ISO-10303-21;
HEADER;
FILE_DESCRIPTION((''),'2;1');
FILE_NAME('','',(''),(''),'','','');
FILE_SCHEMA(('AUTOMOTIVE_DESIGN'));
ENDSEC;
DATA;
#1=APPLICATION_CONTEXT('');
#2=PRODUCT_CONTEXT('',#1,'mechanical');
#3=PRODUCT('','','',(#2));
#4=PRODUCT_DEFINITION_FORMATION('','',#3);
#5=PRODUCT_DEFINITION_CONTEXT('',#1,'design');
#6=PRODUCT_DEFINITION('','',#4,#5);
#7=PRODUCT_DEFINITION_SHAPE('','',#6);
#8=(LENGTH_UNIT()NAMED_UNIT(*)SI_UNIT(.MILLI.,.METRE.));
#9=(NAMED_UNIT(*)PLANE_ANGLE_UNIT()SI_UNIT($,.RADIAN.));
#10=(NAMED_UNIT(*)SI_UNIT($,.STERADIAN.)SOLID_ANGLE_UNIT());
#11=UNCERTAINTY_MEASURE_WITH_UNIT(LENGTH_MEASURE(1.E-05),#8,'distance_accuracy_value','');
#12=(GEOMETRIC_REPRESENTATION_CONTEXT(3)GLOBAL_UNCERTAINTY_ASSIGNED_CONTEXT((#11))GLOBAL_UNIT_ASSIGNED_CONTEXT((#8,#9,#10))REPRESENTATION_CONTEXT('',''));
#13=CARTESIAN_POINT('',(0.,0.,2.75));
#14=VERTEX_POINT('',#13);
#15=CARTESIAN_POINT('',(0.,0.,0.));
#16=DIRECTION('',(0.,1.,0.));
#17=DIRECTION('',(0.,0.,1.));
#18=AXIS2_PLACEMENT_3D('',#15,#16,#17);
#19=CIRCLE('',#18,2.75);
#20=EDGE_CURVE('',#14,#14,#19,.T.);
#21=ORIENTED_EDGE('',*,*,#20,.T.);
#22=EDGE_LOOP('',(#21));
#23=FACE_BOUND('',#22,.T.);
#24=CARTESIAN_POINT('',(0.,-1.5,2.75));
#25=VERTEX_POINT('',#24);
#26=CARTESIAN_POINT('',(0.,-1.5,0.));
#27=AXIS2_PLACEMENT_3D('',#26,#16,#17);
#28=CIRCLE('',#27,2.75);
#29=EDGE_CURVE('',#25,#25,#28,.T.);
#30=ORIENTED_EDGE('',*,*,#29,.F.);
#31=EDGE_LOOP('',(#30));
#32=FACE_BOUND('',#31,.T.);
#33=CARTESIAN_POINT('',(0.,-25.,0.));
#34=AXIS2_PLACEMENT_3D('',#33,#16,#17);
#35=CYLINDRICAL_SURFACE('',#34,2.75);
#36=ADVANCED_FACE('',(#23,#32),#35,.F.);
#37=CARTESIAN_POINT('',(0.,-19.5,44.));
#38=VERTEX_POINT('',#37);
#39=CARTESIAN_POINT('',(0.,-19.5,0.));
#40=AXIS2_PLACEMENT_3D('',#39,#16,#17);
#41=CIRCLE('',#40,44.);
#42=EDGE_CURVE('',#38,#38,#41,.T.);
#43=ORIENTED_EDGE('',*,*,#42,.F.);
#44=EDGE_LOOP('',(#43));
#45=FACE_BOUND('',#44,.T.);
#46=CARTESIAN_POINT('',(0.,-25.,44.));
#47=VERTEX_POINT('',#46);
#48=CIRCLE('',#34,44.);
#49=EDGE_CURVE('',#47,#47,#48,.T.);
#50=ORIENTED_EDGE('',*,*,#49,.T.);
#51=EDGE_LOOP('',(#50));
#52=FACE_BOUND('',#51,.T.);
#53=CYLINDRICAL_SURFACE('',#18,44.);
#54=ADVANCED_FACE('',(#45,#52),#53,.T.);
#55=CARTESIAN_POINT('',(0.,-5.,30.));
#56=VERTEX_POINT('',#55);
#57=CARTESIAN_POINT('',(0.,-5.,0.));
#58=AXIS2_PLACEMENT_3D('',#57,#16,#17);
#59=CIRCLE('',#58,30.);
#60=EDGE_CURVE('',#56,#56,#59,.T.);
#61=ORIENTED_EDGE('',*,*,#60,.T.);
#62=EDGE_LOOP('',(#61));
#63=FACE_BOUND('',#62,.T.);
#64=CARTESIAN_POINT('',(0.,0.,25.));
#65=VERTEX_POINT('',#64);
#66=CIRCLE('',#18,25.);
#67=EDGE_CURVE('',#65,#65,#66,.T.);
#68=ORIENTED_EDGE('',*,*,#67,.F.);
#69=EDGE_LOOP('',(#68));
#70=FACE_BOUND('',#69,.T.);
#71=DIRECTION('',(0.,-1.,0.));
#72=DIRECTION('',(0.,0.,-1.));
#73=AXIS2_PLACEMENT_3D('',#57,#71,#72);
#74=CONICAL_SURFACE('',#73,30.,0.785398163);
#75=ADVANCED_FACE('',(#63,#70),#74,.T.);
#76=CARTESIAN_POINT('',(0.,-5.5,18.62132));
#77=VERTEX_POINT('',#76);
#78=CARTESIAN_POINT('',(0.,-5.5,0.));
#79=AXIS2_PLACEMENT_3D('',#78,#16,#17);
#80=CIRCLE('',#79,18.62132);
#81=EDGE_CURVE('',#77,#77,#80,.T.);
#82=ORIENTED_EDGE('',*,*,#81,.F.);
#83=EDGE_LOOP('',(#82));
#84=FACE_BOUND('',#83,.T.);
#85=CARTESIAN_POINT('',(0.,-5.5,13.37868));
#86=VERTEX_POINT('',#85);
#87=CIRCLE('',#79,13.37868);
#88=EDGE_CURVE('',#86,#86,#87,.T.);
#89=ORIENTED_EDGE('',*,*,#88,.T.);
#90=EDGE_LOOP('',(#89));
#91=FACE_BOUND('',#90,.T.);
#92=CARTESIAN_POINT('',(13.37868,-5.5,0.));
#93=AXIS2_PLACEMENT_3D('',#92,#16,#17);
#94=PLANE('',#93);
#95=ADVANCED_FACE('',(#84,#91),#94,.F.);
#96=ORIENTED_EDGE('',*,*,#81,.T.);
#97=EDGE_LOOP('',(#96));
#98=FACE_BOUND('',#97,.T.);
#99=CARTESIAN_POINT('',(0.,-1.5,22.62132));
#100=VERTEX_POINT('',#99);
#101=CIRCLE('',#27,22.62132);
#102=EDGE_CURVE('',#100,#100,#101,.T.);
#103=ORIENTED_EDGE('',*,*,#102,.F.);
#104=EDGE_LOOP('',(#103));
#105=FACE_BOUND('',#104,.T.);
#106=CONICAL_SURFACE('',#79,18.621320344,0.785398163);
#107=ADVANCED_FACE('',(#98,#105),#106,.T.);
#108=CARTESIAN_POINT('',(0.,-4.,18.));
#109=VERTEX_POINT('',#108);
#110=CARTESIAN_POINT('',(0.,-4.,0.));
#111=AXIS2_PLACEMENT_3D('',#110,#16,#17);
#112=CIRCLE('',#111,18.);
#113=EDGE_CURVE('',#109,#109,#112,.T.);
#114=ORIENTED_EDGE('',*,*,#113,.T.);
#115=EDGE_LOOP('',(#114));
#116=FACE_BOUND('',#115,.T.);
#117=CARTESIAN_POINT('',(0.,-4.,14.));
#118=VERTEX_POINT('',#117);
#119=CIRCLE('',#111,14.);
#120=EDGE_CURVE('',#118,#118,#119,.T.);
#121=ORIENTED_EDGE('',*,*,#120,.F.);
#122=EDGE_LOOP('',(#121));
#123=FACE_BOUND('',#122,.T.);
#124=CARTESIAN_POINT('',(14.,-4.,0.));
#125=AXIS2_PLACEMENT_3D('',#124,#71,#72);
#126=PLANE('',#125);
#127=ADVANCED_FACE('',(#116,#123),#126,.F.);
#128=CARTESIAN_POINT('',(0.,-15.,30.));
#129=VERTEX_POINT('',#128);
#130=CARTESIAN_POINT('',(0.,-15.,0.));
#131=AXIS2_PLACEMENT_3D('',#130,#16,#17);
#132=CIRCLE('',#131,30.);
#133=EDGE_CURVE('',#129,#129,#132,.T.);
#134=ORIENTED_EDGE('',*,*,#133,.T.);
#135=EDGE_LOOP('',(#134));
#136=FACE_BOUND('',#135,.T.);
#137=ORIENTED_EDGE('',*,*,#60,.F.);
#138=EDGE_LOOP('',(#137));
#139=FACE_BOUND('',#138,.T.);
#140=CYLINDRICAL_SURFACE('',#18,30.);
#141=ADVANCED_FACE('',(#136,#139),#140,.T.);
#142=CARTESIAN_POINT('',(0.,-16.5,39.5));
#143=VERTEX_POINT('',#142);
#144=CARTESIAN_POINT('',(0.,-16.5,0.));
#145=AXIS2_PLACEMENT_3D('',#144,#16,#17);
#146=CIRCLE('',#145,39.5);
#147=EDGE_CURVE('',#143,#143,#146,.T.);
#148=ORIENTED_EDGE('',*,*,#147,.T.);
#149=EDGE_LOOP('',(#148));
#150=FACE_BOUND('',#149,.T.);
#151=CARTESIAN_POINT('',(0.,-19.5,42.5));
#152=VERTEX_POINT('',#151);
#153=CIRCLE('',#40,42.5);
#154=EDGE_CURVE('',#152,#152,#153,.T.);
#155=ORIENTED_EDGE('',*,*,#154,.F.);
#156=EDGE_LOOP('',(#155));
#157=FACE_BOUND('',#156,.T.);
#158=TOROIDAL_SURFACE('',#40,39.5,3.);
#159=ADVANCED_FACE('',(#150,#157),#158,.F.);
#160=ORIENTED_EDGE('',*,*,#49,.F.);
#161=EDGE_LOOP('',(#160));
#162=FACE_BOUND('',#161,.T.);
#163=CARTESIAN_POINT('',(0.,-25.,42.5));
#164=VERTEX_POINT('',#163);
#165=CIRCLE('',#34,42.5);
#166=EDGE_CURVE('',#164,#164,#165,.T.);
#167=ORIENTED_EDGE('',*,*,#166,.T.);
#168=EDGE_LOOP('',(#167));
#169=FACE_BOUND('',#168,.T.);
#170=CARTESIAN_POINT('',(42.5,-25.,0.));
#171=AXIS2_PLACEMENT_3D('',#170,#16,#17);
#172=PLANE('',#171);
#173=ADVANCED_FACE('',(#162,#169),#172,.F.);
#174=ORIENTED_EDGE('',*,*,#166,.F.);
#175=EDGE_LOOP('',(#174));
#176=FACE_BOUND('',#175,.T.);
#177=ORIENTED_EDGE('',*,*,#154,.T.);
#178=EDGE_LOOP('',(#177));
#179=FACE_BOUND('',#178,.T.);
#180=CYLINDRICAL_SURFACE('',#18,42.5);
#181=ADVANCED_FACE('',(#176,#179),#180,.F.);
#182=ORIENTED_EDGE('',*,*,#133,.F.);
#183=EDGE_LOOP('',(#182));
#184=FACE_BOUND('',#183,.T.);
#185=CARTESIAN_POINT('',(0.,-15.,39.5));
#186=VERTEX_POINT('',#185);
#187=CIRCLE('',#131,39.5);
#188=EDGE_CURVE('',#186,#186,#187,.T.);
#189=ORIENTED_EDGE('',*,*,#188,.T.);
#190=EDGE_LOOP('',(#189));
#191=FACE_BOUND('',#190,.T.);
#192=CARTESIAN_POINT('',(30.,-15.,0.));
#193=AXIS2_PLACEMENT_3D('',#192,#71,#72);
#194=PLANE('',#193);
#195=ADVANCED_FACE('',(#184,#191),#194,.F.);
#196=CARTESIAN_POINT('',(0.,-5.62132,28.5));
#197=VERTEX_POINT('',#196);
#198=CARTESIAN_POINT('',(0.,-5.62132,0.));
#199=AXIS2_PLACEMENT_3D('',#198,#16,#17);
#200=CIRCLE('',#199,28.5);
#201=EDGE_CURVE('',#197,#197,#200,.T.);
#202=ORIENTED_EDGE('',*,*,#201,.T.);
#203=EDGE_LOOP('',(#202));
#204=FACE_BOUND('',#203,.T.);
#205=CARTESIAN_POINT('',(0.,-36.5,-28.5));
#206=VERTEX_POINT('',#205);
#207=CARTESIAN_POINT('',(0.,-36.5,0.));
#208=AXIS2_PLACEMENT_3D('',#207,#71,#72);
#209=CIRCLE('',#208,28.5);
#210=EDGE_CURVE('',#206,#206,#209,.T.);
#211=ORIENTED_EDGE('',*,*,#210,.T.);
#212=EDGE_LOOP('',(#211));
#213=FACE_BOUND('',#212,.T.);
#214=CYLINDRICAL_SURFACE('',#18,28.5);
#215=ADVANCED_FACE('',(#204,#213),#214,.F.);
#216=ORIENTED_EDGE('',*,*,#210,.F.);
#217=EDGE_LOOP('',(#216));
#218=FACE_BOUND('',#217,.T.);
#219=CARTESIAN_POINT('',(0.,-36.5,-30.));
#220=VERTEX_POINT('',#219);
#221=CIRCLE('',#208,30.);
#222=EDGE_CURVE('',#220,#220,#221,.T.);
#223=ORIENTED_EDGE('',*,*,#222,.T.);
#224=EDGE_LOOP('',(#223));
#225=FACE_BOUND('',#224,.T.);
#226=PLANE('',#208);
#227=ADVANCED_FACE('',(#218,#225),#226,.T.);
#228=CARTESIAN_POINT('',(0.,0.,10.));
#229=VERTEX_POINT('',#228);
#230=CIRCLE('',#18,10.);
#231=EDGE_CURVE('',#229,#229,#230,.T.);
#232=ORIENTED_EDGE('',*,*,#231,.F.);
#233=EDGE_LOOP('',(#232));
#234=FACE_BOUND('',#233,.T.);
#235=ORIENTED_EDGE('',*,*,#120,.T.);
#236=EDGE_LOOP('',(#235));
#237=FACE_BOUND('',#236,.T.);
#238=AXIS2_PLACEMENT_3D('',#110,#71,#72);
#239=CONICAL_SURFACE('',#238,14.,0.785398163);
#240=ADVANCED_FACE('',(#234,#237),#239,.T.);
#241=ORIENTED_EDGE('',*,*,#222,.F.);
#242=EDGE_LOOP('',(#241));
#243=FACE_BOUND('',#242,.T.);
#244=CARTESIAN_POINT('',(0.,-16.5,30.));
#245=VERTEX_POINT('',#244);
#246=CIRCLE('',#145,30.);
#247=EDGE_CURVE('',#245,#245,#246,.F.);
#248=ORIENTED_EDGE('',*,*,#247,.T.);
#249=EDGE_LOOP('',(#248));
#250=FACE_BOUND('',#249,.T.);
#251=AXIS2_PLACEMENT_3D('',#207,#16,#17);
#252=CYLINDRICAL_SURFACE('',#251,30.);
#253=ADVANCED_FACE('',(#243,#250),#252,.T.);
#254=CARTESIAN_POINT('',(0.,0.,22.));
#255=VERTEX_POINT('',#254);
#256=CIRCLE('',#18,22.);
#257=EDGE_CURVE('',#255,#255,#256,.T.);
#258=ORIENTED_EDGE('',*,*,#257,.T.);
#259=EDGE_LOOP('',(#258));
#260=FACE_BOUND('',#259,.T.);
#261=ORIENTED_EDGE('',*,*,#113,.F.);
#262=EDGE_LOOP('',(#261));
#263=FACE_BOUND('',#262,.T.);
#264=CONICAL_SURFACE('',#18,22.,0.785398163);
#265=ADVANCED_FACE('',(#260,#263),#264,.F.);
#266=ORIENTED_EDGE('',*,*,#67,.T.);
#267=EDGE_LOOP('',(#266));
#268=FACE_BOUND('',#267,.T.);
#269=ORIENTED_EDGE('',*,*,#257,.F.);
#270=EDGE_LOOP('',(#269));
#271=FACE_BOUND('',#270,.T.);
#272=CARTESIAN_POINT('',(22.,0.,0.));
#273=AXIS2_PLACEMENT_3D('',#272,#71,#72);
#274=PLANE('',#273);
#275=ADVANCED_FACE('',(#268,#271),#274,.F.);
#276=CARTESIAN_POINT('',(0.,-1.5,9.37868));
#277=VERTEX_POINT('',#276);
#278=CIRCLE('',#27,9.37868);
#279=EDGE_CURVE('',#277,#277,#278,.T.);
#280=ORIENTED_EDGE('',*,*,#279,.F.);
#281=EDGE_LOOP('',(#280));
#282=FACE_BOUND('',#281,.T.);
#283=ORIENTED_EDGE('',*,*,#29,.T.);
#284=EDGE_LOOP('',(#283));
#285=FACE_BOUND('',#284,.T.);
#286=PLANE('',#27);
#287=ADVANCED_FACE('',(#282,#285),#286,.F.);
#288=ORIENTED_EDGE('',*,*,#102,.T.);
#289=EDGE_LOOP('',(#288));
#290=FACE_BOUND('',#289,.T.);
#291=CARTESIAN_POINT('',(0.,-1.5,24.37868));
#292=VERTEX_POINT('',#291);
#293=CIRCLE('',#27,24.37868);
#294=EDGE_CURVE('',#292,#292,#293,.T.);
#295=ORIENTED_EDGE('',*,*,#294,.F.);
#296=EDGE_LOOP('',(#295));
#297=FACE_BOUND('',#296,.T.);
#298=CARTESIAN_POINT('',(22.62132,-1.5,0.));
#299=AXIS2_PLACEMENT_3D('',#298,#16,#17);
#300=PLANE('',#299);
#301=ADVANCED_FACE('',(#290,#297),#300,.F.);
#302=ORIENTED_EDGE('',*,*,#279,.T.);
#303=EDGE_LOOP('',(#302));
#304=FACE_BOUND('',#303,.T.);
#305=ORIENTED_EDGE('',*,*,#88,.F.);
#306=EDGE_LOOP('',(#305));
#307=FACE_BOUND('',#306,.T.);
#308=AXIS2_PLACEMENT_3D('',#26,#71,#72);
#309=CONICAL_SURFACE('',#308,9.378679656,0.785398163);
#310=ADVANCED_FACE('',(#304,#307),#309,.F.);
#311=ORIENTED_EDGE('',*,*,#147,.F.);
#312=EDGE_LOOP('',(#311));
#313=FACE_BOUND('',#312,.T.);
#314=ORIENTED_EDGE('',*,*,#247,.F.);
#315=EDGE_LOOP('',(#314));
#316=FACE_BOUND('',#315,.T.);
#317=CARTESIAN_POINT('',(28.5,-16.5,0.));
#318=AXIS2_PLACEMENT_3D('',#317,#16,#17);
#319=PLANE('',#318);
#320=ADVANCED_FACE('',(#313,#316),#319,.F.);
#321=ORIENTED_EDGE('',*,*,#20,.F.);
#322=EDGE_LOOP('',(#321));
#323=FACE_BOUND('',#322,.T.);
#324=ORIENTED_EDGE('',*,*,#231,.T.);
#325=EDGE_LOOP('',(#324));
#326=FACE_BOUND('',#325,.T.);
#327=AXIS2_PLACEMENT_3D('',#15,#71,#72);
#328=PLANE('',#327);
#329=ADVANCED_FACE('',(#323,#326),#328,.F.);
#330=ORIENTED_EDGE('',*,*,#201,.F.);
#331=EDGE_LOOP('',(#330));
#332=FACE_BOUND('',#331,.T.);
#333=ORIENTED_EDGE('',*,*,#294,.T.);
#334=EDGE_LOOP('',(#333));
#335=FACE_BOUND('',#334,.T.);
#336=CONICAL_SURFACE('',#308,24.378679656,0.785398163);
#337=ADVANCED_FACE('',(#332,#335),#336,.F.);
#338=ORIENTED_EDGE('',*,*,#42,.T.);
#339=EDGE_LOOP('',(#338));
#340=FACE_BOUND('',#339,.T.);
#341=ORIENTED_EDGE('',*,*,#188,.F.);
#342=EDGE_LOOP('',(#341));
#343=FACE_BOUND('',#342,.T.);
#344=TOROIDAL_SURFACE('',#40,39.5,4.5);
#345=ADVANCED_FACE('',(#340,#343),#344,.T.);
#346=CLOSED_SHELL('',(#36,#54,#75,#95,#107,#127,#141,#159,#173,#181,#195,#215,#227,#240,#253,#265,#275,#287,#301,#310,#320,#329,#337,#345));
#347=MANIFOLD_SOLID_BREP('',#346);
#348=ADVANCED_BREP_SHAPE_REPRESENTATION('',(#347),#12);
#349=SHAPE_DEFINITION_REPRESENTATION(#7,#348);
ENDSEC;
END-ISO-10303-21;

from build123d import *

# Parameters (mm, degrees)
SKETCH_2_R          = 2.75
CUT_EXTRUDE_1_DEPTH = 26
SKETCH_3_R          = 30
SKETCH_3_R_2        = 28.5
EXTRUDE_1_DEPTH     = 20


with BuildPart() as part:
    # Эскиз1 → Повернуть2 (revolve)
    with BuildSketch(Plane.XY):
        with BuildLine():
            Line((0, 0), (10, 0))
            Line((10, 0), (14, -4))
            Line((14, -4), (18, -4))
            Line((18, -4), (22, 0))
            Line((22, 0), (25, 0))
            Line((25, 0), (30, -5))
            Line((30, -5), (30, -15))
            Line((30, -15), (39.5, -15))
            ThreePointArc((39.5, -15), (42.681980515, -16.318019485), (44, -19.5))
            Line((44, -19.5), (44, -25))
            Line((44, -25), (42.5, -25))
            Line((42.5, -25), (42.5, -19.5))
            ThreePointArc((42.5, -19.5), (41.621320344, -17.378679656), (39.5, -16.5))
            Line((39.5, -16.5), (28.5, -16.5))
            Line((28.5, -16.5), (28.5, -5.621320344))
            Line((28.5, -5.621320344), (24.378679656, -1.5))
            Line((24.378679656, -1.5), (22.621320344, -1.5))
            Line((22.621320344, -1.5), (18.621320344, -5.5))
            Line((18.621320344, -5.5), (13.378679656, -5.5))
            Line((13.378679656, -5.5), (9.378679656, -1.5))
            Line((9.378679656, -1.5), (0, -1.5))
            Line((0, -1.5), (0, 0))
        make_face()
    revolve(axis=Axis((0, 0, 0), (0, -1, 0)))

    # Эскиз2 → Вырез-Вытянуть1 (cut, through all)
    with BuildSketch(Plane(origin=(0, 0, 0), x_dir=(1, 0, 0), z_dir=(0, 1, 0))):
        Circle(SKETCH_2_R)
    extrude(amount=-CUT_EXTRUDE_1_DEPTH, mode=Mode.SUBTRACT)

    # Эскиз3 → Бобышка-Вытянуть1 (add)
    with BuildSketch(Plane.XZ.offset(16.5)):
        Circle(SKETCH_3_R)
        Circle(SKETCH_3_R_2, mode=Mode.SUBTRACT)
    extrude(amount=EXTRUDE_1_DEPTH)


solid = part.part
